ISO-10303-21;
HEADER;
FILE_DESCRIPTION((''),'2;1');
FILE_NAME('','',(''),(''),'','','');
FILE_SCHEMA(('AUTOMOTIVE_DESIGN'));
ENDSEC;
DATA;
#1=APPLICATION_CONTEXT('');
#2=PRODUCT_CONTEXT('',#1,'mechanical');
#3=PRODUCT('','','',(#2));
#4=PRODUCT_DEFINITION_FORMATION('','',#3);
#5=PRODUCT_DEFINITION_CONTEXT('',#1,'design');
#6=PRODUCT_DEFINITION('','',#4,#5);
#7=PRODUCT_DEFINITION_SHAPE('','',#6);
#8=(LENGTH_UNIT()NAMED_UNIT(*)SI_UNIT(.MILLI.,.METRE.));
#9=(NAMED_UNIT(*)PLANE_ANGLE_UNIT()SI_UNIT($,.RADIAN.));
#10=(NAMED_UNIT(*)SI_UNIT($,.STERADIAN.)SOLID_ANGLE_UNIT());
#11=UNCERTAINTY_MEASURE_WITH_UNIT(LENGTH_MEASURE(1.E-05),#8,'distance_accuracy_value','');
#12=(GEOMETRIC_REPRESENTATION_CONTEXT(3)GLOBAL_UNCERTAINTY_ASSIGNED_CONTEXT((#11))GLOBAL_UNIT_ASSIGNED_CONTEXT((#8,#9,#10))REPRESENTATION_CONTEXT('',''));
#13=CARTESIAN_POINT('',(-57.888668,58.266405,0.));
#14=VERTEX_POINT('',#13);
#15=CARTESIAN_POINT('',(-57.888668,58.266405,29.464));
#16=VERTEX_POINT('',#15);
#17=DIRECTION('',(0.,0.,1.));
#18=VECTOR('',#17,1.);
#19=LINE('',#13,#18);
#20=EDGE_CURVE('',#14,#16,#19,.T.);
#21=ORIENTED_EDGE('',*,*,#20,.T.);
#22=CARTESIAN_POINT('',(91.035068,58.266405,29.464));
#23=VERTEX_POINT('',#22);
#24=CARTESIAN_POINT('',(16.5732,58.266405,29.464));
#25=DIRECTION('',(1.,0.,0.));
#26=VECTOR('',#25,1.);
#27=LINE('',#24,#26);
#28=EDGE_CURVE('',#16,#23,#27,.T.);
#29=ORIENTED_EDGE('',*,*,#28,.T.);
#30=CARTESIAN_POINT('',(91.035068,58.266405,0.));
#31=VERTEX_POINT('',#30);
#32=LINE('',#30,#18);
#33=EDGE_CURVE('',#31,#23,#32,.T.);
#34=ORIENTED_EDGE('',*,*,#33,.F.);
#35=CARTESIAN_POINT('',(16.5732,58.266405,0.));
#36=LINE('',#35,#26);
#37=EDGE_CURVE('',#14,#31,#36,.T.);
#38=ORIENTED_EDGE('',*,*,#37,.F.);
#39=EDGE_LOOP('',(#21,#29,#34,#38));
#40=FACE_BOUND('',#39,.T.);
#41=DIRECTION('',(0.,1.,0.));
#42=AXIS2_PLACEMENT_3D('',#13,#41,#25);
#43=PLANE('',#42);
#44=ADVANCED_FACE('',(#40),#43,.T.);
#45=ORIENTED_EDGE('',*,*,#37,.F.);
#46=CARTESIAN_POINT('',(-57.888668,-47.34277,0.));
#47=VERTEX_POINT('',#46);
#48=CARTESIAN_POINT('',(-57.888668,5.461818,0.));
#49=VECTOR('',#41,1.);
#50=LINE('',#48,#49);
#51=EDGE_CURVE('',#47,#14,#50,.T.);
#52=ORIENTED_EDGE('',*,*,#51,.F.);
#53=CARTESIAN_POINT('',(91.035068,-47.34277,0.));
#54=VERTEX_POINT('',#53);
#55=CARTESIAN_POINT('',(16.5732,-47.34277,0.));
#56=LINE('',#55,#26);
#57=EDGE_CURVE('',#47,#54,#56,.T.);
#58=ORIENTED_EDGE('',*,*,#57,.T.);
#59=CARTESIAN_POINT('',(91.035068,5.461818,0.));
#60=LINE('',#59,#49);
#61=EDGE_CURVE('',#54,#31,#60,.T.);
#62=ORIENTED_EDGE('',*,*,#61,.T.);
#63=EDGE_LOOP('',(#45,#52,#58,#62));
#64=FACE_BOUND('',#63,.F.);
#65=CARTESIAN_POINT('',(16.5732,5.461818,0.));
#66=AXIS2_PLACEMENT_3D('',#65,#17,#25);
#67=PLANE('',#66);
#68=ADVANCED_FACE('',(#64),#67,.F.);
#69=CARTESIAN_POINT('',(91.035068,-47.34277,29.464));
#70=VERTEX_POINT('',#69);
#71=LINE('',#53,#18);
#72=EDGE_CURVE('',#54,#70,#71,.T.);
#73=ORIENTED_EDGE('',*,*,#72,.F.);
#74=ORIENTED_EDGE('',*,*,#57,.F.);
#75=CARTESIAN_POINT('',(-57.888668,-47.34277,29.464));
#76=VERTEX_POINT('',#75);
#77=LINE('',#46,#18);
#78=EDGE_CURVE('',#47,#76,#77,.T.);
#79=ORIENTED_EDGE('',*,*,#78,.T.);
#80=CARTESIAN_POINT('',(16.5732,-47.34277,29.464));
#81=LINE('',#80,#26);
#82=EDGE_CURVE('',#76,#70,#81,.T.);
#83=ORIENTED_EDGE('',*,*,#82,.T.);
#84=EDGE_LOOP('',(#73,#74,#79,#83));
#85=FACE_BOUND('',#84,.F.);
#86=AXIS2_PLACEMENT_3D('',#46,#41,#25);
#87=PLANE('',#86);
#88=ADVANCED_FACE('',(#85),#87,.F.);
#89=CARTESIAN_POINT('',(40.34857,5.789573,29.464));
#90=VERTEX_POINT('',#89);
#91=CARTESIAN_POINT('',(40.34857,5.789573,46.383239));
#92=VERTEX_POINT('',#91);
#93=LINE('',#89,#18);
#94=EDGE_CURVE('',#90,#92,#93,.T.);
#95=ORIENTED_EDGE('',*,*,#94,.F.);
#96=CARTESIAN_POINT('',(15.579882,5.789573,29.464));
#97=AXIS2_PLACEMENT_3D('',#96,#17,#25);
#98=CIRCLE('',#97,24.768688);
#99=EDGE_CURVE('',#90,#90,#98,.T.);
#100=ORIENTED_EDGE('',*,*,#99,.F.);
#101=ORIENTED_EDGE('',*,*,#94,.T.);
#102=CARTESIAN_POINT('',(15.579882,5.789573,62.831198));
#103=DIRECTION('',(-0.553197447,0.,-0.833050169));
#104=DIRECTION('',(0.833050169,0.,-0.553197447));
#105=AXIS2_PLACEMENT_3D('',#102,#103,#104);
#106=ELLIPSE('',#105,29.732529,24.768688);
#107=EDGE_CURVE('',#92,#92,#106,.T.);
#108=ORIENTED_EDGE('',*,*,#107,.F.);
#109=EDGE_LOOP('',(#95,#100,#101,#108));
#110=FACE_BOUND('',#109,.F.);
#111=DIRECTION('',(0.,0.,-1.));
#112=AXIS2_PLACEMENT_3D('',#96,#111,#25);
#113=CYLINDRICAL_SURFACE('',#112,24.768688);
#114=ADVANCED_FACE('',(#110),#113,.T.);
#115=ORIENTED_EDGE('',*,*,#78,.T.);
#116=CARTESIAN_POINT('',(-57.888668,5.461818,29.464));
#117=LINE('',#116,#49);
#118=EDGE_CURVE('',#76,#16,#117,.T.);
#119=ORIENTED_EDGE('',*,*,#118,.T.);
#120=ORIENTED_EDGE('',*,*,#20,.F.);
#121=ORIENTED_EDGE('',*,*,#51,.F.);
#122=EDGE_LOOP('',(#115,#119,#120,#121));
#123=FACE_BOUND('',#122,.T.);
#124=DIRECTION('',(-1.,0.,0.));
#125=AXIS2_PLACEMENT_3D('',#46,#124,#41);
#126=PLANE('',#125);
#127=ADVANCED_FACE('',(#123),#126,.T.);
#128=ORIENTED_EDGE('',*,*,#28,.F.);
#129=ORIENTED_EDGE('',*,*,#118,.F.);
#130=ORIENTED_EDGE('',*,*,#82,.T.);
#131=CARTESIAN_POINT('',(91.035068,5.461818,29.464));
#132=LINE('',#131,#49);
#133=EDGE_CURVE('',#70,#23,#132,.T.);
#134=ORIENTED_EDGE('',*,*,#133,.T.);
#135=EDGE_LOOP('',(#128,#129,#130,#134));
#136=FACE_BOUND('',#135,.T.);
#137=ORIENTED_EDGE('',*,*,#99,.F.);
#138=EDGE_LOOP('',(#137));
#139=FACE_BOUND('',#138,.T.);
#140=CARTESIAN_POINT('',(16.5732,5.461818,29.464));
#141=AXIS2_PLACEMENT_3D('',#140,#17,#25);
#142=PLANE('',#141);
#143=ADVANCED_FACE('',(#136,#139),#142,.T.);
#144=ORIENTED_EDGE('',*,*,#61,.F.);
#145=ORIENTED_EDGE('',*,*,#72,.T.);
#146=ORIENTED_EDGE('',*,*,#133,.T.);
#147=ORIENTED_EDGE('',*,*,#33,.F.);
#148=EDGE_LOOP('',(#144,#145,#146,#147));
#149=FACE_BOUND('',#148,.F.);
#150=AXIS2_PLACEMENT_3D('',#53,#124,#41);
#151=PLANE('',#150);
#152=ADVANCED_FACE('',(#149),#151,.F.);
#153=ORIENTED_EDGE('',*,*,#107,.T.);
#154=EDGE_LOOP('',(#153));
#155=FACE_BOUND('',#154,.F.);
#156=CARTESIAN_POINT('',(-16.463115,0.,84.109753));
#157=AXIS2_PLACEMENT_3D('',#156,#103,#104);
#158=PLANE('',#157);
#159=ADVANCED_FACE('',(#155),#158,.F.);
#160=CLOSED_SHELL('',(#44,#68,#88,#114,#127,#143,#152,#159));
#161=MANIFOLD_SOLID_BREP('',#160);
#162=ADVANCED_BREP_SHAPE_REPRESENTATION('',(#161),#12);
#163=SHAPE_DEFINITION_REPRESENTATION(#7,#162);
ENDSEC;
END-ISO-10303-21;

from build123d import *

# Parameters (mm, degrees)
F0_W     = 148.923736
F0_H     = 105.609175
F1_DEPTH = 29.464
F2_R     = 24.768688
F3_DEPTH = 51.308
F5_DEPTH = 1143


with BuildPart() as f1:
    # F0 (on Top) → F1 (new body)
    with BuildSketch(Plane.XY):
        with Locations((16.5732, 5.461818)):
            Rectangle(F0_W, F0_H)
    extrude(amount=F1_DEPTH)

    # F2 (on face) → F3 (join)
    with BuildSketch(Plane.XY.offset(29.464)):
        with Locations((15.579882, 5.789573)):
            Circle(F2_R)
    extrude(amount=F3_DEPTH)

    # F4 (on Front) → F5 (cut, symmetric)
    with BuildSketch(Plane.XZ):
        Polygon((40.655378, 84.109753), (-16.463115, 84.109753), (40.655378, 46.179499), align=None)
    extrude(amount=F5_DEPTH, both=True, mode=Mode.SUBTRACT)


solid = f1.part
